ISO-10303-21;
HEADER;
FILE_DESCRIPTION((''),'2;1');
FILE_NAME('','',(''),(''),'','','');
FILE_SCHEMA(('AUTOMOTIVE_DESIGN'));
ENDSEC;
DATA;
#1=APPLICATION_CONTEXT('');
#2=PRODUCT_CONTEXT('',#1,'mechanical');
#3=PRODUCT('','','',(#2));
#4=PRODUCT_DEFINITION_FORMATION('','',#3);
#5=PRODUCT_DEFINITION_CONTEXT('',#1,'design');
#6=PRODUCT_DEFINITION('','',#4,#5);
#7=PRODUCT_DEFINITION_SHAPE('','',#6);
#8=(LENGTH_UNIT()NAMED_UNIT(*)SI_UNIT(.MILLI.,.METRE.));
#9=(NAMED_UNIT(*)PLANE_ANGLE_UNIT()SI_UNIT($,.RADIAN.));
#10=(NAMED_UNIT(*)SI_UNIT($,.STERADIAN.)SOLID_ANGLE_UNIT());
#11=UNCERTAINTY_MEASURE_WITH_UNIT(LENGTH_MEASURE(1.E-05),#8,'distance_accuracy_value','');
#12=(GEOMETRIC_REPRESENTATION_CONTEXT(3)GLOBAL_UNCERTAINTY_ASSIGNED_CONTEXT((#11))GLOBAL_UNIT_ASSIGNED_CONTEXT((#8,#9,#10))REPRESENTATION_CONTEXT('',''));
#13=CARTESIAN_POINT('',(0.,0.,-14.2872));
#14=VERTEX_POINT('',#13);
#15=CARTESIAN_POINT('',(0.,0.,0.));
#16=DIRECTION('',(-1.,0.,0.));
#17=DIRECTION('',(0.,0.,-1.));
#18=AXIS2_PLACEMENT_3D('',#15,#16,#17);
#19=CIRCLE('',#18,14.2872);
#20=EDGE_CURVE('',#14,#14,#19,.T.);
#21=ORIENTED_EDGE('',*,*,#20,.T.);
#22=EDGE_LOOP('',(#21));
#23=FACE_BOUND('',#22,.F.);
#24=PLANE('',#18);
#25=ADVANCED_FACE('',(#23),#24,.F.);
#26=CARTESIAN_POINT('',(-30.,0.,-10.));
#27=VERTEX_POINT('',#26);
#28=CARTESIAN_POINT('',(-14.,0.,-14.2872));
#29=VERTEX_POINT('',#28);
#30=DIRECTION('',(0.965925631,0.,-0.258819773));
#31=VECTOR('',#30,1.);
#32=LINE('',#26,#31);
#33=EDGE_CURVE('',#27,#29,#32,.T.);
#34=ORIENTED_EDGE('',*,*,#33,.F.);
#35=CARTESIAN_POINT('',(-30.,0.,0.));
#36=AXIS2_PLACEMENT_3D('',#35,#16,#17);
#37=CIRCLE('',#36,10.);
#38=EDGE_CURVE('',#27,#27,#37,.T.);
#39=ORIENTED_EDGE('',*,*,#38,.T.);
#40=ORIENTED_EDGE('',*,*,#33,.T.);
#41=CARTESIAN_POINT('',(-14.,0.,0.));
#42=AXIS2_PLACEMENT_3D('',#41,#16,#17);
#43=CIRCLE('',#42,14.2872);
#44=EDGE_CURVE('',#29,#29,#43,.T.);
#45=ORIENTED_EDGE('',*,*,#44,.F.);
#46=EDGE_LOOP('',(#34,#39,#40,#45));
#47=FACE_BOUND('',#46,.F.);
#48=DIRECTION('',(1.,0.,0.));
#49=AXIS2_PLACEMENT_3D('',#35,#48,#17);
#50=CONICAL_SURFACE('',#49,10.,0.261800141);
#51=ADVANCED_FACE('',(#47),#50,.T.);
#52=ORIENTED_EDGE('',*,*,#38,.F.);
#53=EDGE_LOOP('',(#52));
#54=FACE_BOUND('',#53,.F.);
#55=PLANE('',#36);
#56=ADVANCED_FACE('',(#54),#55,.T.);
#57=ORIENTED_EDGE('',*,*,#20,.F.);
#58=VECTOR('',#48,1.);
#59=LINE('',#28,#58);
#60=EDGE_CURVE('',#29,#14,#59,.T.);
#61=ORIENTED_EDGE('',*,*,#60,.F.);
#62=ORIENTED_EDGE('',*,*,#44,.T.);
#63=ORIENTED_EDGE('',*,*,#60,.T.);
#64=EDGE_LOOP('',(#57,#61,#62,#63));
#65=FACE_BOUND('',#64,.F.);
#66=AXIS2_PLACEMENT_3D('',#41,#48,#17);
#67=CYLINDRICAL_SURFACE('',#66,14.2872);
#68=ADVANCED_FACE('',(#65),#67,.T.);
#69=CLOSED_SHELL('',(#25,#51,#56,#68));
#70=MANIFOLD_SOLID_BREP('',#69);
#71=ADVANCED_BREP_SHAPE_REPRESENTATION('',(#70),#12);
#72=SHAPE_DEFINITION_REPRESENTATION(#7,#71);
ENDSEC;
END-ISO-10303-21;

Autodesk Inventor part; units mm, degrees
ref_plane "YZ Plane" through (0, 0, 0) normal (1, 0, 0) x (0, 1, 0)
ref_plane "XZ Plane" through (0, 0, 0) normal (0, 1, 0) x (-1, 0, 0)
ref_plane "XY Plane" through (0, 0, 0) normal (0, 0, 1) x (1, 0, 0)
sketch "Sketch1" plane through (0, 0, 0) normal (0, 1, 0) x (-1, 0, 0)
  line L0 (0, 0) -> (30, 0)
  line L1 (30, 0) -> (30, -10)
  line L2 (30, -10) -> (14, -14.2872)
  line L3 (14, -14.2872) -> (0, -14.2872)
  line L4 (0, -14.2872) -> (0, 0)
  dimension "d0" = 14
  dimension "d1" = 16
  dimension "d2" = 10
  dimension "d3" = 105
revolve "Revolution1" add sketch "Sketch1" angle 360 about axis through (0, 0, 0) along (-1, 0, 0)
properties part number "omnicam"
